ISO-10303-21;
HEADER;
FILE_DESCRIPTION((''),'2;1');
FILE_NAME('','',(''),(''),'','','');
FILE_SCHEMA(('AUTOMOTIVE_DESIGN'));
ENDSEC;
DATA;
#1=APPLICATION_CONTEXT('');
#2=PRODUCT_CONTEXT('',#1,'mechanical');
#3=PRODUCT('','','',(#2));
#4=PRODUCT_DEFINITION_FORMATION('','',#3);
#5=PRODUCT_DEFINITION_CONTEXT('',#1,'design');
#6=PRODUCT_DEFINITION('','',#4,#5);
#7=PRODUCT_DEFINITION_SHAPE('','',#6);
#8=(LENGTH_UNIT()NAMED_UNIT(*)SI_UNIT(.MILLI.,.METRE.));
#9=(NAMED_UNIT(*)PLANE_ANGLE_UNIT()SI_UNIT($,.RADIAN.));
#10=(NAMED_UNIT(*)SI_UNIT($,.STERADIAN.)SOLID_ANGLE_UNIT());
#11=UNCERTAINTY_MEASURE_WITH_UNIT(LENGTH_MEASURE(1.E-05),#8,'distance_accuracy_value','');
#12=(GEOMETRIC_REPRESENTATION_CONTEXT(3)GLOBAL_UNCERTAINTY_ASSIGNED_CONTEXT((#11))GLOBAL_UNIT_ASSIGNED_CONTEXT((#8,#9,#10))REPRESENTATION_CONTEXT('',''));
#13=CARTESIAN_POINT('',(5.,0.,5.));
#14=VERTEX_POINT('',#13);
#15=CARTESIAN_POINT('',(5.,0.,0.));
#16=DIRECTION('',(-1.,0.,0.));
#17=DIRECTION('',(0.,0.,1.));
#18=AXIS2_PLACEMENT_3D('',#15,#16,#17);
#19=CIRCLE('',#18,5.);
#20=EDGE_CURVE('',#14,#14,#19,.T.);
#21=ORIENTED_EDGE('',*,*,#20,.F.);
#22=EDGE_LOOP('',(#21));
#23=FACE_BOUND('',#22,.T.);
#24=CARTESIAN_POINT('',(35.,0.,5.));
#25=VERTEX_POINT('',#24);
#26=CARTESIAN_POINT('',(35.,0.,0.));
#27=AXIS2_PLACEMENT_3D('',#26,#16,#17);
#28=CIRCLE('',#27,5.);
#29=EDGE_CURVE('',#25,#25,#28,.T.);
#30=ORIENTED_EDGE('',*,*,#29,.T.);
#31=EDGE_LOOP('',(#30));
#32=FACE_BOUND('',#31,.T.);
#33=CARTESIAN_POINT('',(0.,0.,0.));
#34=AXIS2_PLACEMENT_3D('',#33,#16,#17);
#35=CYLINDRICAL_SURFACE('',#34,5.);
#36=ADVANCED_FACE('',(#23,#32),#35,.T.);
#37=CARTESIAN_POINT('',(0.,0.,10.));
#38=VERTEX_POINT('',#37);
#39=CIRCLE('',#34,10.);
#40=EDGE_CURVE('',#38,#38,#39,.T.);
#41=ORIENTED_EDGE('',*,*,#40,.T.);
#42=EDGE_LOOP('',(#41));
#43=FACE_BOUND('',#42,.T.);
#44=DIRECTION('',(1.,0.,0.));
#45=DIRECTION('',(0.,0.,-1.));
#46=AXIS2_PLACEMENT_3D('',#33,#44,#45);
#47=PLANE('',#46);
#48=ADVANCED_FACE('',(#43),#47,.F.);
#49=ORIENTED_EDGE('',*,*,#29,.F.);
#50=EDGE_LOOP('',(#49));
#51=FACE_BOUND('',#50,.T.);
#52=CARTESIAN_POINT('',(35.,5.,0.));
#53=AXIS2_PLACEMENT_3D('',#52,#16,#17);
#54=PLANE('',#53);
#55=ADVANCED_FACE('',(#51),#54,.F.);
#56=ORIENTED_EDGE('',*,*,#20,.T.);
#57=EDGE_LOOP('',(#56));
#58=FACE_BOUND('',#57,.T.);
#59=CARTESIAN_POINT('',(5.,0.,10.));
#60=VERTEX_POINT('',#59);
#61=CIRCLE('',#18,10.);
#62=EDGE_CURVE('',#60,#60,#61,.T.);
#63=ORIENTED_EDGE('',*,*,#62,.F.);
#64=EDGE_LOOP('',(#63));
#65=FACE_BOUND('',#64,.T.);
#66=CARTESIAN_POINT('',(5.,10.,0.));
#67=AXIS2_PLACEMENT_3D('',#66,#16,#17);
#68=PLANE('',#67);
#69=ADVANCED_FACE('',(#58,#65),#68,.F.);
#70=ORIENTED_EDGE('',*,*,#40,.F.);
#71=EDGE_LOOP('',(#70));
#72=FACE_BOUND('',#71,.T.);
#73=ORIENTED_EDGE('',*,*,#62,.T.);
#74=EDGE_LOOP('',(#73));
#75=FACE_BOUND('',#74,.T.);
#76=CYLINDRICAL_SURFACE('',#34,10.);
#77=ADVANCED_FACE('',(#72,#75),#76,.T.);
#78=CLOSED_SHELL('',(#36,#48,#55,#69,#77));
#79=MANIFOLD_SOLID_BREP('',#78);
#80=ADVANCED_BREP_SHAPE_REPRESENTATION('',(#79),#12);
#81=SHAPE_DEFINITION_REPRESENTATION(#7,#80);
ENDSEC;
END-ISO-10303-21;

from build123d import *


with BuildPart() as part:
    # Esboço1 → Revolução1 (revolve)
    with BuildSketch(Plane.XY, mode=Mode.PRIVATE) as revolu_o1_sk:
        Polygon((0, 0), (0, 10), (5, 10), (5, 5), (35, 5), (35, 0), align=None)
    revolve(revolu_o1_sk.sketch.rotate(Axis((0, 0, 0), (1, 0, 0)), 90), axis=Axis((0, 0, 0), (1, 0, 0)))


solid = part.part
